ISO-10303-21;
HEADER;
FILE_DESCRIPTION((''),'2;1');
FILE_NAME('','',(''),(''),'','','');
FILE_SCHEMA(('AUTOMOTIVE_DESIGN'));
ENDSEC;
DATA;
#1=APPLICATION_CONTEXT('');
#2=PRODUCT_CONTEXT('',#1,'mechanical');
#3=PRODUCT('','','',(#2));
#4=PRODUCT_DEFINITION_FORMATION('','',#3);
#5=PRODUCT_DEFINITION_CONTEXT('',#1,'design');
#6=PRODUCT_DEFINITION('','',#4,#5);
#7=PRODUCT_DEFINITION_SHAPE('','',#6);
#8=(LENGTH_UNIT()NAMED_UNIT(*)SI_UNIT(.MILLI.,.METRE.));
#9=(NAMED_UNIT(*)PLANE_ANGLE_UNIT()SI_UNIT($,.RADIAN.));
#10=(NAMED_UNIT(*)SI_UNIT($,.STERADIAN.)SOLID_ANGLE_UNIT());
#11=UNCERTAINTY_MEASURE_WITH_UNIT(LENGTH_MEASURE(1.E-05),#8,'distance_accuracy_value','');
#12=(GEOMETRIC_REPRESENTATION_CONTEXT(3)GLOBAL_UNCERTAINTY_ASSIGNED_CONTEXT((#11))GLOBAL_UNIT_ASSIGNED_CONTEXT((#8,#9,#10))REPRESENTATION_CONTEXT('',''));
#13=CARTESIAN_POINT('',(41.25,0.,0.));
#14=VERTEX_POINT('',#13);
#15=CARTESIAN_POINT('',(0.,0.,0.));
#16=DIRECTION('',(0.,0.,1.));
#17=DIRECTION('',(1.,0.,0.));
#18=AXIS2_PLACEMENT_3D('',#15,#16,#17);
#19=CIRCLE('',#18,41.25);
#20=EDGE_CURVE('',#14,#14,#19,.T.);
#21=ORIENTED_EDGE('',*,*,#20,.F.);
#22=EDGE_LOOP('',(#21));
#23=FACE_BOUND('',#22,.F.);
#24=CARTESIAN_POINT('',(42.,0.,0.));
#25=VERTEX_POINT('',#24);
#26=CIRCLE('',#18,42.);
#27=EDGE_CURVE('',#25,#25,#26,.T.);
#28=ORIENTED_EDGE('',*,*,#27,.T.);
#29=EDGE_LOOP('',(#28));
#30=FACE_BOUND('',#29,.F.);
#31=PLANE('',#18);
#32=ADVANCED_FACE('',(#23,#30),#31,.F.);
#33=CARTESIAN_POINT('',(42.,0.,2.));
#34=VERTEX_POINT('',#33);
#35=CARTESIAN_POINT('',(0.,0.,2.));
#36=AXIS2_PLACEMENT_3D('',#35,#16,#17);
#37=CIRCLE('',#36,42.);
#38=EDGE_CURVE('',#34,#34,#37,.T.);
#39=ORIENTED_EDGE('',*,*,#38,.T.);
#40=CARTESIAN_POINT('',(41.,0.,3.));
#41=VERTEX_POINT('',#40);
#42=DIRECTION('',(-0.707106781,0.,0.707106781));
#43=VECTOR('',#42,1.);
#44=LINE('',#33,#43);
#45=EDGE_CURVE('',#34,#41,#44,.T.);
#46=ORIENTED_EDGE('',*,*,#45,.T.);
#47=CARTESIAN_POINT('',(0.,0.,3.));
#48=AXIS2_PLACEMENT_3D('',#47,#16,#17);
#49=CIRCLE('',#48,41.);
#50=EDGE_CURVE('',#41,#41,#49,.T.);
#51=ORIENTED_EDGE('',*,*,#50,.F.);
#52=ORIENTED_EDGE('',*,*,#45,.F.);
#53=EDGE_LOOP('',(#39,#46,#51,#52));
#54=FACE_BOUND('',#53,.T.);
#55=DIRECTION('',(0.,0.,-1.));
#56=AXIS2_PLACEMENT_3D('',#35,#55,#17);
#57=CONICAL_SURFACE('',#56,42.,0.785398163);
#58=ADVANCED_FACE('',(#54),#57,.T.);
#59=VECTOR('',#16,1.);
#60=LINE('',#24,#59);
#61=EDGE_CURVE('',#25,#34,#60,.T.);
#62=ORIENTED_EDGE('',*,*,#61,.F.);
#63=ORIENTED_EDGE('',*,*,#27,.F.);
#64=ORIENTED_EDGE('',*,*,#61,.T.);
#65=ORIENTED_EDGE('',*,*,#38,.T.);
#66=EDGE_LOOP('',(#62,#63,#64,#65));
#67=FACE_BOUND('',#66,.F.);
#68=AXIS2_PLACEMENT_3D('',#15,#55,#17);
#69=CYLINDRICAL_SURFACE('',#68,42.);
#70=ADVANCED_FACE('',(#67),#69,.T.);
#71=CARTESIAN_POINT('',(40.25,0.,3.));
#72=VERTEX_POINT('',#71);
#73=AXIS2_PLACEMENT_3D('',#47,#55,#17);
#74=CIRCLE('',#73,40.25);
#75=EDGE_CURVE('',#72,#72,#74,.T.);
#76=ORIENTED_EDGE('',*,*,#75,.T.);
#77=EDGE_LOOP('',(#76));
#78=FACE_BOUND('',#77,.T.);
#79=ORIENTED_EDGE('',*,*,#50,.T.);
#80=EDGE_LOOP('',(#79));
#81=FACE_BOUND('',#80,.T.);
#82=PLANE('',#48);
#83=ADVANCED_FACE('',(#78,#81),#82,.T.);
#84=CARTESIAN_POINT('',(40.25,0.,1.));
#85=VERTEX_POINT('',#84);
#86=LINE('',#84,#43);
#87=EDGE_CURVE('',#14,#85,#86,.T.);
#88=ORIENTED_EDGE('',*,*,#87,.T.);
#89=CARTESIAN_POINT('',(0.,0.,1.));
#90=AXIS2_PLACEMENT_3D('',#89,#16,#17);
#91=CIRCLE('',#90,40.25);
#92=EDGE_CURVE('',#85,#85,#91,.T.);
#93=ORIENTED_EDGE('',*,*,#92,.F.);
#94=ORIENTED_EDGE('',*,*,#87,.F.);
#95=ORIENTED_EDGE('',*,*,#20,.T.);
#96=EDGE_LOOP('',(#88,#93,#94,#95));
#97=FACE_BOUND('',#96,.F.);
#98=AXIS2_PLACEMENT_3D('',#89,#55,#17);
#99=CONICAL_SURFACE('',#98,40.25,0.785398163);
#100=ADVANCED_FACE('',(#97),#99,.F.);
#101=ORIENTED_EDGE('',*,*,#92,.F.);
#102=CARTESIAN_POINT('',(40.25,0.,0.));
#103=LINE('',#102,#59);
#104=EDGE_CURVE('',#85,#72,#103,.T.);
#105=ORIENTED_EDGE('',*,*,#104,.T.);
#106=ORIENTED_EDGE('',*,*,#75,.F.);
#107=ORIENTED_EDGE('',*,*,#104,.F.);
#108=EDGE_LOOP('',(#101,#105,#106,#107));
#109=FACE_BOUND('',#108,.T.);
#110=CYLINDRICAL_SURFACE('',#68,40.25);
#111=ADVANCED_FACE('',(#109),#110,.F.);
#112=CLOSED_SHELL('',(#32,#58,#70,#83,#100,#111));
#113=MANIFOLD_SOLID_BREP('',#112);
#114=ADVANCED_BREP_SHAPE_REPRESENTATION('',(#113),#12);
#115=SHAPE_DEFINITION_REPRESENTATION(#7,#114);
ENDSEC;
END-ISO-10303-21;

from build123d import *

# Parameters (mm, degrees)
F0_R     = 42
F2_DEPTH = 3
F1_R     = 40.25
F3_DEPTH = 16
F4_SIZE  = 1
F5_W     = 7
F5_H     = 3
F6_DEPTH = 50


with BuildPart() as f2:
    # F0 (on Top) → F2 (new body)
    with BuildSketch(Plane.XY):
        Circle(F0_R)
    extrude(amount=F2_DEPTH)

    # F1 (on Top) → F3 (cut)
    with BuildSketch(Plane.XY):
        Circle(F1_R)
    extrude(amount=F3_DEPTH, mode=Mode.SUBTRACT)

    # F4
    f4_edges = [f2.edges().sort_by_distance(p)[0] for p in [
        (-40.25, 0, 0),
        (-42, 0, 3),
    ]]
    chamfer(f4_edges, length=F4_SIZE)

    # F5 (on Front) → F6 (cut)
    with BuildSketch(Plane.XZ):
        with Locations((-3.5, 13.5)):
            Rectangle(F5_W, F5_H)
    extrude(amount=-F6_DEPTH, mode=Mode.SUBTRACT)


solid = f2.part
